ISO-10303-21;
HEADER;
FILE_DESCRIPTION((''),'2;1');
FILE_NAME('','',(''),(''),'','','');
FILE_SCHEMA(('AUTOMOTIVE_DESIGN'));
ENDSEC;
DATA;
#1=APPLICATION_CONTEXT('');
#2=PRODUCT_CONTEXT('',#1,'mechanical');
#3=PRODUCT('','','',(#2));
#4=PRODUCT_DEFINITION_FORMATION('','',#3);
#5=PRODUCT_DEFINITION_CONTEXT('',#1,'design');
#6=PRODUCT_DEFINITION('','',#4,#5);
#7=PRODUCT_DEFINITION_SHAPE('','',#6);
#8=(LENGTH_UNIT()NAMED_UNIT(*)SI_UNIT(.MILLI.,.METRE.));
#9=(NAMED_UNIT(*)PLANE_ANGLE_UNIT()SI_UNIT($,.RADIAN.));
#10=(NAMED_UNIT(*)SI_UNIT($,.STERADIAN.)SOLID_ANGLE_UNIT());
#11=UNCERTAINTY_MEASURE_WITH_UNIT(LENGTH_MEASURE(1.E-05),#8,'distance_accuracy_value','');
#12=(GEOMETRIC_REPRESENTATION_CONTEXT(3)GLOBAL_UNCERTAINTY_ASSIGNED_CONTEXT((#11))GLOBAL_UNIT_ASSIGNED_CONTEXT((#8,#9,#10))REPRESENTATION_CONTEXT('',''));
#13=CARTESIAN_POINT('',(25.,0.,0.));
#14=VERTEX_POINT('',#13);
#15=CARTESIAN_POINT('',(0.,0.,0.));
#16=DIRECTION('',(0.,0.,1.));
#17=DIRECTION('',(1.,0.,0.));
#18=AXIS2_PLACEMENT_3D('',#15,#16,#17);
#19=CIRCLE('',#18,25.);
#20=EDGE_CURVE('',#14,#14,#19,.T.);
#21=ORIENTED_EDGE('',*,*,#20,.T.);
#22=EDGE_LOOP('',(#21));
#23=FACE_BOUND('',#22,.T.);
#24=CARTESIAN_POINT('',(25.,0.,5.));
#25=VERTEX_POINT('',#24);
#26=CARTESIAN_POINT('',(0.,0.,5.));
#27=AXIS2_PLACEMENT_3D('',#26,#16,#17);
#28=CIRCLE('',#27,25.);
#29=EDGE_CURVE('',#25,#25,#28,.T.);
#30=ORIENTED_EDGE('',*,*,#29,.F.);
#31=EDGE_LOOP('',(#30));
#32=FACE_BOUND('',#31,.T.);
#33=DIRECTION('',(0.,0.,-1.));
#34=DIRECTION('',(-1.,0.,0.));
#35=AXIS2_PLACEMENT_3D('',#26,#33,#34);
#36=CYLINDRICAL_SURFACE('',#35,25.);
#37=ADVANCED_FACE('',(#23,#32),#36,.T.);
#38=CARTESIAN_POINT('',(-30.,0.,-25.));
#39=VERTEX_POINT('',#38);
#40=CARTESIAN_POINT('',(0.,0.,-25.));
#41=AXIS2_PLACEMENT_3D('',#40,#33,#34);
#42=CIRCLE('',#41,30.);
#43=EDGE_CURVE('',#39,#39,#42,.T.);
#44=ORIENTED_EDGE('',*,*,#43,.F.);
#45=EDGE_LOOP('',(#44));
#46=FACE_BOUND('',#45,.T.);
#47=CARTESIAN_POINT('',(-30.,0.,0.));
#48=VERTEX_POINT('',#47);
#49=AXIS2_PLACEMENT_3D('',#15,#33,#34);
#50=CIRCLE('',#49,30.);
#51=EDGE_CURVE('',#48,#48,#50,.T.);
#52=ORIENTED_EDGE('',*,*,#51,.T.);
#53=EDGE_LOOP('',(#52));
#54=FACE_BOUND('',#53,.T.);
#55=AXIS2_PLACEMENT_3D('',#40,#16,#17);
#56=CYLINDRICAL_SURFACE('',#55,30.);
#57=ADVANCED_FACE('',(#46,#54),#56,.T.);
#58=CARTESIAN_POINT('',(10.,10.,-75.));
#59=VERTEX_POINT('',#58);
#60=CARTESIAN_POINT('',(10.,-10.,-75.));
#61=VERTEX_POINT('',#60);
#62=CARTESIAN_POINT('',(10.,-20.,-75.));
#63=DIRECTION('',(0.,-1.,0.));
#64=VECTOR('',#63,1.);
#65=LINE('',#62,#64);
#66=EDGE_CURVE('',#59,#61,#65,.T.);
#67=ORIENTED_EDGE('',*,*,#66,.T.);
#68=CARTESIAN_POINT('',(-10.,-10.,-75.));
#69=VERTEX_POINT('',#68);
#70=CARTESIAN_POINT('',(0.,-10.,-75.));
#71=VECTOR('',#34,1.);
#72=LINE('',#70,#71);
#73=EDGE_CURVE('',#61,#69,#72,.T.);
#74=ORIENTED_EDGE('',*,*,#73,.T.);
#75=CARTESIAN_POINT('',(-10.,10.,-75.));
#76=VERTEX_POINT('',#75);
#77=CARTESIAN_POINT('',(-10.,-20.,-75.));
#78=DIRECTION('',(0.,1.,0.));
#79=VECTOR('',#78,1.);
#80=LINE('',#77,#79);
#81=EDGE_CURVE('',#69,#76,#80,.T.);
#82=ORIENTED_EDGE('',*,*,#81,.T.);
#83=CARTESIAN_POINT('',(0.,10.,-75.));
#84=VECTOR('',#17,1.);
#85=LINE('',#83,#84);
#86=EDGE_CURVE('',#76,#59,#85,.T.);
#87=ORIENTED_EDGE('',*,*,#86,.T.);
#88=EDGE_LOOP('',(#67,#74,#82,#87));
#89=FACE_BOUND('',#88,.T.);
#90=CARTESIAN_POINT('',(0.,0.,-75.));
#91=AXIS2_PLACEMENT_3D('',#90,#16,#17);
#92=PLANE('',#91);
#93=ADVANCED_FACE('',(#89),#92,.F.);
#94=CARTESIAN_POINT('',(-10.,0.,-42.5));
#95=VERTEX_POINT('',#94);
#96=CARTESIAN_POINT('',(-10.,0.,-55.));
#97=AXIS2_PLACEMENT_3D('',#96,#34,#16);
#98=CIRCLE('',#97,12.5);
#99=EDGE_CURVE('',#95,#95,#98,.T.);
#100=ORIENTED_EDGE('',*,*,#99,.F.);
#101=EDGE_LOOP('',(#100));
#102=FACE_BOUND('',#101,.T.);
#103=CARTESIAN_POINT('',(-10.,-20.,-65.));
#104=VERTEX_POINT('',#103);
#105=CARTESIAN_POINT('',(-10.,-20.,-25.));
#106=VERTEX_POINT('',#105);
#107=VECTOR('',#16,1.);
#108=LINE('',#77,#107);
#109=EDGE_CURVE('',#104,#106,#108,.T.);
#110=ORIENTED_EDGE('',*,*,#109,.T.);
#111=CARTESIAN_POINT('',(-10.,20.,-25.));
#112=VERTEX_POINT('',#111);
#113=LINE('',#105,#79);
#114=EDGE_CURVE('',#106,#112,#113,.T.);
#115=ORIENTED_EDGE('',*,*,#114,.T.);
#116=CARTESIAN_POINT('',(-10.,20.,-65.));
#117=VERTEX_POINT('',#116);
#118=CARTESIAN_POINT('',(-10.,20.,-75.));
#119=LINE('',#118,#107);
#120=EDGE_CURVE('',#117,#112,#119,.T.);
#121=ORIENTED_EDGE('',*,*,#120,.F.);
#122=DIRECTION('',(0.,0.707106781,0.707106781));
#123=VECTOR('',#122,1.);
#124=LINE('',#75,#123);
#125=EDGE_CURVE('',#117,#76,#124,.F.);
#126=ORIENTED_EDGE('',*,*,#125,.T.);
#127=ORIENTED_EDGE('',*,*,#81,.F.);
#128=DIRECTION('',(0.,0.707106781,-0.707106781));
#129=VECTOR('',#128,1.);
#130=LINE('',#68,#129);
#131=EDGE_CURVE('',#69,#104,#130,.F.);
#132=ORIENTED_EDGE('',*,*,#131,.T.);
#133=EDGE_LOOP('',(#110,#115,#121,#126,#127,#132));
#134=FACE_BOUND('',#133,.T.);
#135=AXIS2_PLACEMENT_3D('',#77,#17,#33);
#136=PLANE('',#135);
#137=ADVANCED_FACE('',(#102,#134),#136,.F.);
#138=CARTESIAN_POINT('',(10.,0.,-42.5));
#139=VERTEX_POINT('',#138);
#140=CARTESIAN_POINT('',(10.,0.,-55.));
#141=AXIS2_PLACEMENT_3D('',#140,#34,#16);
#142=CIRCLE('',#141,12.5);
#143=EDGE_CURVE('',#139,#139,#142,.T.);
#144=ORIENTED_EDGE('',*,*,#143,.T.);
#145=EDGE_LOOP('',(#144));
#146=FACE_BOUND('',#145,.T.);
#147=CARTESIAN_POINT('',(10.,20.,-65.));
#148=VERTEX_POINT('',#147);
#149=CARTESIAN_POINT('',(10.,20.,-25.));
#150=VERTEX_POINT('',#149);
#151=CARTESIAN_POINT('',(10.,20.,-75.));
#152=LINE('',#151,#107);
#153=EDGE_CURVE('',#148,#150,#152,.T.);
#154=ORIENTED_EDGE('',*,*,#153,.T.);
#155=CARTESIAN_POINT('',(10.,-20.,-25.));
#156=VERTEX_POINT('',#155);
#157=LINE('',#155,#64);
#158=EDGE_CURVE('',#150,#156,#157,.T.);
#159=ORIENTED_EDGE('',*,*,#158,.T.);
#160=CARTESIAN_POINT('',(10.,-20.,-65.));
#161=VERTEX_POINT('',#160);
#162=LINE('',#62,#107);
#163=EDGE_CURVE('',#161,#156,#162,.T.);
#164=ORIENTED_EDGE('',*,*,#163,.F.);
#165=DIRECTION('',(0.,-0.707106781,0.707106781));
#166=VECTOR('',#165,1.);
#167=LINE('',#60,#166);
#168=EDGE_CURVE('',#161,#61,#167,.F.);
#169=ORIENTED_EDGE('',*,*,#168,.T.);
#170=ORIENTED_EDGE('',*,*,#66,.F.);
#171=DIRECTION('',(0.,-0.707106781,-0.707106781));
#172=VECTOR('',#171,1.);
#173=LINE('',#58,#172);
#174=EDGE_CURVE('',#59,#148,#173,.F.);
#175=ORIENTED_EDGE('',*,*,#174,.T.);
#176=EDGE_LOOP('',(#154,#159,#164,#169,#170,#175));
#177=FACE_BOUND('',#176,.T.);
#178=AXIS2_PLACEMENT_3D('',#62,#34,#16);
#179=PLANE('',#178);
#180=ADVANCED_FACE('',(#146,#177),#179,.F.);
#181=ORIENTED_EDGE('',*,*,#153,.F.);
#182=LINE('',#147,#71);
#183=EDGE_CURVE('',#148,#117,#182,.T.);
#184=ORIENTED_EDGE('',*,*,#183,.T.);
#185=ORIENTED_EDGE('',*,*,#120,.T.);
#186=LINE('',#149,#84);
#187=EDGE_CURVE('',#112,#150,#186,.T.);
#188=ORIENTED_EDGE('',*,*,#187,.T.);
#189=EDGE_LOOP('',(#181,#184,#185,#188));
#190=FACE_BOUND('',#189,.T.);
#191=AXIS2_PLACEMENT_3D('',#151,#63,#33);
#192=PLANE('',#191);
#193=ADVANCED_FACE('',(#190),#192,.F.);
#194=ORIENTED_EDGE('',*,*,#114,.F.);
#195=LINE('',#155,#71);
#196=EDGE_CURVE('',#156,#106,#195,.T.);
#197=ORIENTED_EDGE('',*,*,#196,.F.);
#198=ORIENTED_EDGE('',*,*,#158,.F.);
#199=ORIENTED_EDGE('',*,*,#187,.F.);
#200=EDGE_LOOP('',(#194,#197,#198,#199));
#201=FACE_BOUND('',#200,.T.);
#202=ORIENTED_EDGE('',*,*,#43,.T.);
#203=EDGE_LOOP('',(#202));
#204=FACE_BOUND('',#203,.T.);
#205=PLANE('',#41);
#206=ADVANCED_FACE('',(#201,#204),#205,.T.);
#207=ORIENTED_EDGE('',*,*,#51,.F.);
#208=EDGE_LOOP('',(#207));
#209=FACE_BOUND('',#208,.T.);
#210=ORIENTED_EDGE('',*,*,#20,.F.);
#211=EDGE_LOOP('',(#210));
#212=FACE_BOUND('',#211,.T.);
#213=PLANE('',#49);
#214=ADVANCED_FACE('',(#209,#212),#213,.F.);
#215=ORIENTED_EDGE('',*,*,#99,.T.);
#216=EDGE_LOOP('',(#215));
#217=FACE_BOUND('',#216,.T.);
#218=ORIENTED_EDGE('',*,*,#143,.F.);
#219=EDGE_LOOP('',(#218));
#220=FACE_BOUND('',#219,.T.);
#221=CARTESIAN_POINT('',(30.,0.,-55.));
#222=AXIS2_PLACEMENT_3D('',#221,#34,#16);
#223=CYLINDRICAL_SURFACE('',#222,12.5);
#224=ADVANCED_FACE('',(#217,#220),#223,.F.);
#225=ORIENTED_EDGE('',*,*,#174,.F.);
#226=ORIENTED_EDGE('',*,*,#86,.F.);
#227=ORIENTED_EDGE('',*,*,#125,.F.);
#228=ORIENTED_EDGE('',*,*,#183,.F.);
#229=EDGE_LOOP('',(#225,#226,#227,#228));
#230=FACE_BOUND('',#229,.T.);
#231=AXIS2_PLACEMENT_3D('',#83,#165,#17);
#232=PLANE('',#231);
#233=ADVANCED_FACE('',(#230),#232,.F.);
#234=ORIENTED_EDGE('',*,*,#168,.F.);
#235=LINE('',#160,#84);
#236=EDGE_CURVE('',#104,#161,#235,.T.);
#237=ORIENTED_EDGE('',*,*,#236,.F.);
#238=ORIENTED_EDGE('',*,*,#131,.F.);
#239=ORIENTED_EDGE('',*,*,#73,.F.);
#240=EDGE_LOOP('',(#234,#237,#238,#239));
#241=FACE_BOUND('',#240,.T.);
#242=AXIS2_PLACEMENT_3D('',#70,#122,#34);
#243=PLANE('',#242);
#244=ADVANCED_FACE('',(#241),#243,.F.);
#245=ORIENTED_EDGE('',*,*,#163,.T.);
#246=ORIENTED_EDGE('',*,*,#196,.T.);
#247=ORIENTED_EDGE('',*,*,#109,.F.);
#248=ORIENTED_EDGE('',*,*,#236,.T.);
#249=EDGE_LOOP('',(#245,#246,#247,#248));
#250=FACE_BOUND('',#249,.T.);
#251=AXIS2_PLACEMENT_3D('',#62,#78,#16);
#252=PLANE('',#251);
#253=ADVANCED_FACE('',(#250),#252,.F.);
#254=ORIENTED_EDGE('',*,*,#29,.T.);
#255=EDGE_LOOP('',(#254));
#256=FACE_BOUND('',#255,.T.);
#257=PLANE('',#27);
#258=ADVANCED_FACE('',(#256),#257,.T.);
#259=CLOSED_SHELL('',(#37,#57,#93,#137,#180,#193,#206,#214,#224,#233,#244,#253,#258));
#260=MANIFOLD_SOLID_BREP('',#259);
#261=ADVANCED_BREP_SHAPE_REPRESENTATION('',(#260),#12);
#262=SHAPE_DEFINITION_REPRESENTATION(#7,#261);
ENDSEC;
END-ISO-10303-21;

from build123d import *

# Parameters (mm, degrees)
SKETCH1_R           = 25
BOSS_EXTRUDE1_DEPTH = 5
SKETCH2_R           = 30
BOSS_EXTRUDE2_DEPTH = 25
SKETCH3_W           = 20
SKETCH3_H           = 40
BOSS_EXTRUDE3_DEPTH = 50
CHAMFER1_SIZE       = 10
SKETCH5_R           = 12.5
CUT_EXTRUDE1_DEPTH  = 91.138781887


with BuildPart() as part:
    # Sketch1 → Boss-Extrude1 (new body)
    with BuildSketch(Plane.XY):
        Circle(SKETCH1_R)
    extrude(amount=BOSS_EXTRUDE1_DEPTH)

    # Sketch2 → Boss-Extrude2 (add)
    with BuildSketch(Plane(origin=(0, 0, 0), x_dir=(-1, 0, 0), z_dir=(0, 0, -1))):
        Circle(SKETCH2_R)
    extrude(amount=BOSS_EXTRUDE2_DEPTH)

    # Sketch3 → Boss-Extrude3 (add)
    with BuildSketch(Plane(origin=(0, 0, -25), x_dir=(-1, 0, 0), z_dir=(0, 0, -1))):
        Rectangle(SKETCH3_W, SKETCH3_H)
    extrude(amount=BOSS_EXTRUDE3_DEPTH)

    # Chamfer1
    chamfer1_edges = [part.edges().sort_by_distance(p)[0] for p in [
        (0, 20, -75),
        (0, -20, -75),
    ]]
    chamfer(chamfer1_edges, length=CHAMFER1_SIZE)

    # Sketch5 → Cut-Extrude1 (cut, through all)
    with BuildSketch(Plane.ZY.offset(10)):
        with Locations((-55, 0)):
            Circle(SKETCH5_R)
    extrude(amount=-CUT_EXTRUDE1_DEPTH, mode=Mode.SUBTRACT)


solid = part.part
